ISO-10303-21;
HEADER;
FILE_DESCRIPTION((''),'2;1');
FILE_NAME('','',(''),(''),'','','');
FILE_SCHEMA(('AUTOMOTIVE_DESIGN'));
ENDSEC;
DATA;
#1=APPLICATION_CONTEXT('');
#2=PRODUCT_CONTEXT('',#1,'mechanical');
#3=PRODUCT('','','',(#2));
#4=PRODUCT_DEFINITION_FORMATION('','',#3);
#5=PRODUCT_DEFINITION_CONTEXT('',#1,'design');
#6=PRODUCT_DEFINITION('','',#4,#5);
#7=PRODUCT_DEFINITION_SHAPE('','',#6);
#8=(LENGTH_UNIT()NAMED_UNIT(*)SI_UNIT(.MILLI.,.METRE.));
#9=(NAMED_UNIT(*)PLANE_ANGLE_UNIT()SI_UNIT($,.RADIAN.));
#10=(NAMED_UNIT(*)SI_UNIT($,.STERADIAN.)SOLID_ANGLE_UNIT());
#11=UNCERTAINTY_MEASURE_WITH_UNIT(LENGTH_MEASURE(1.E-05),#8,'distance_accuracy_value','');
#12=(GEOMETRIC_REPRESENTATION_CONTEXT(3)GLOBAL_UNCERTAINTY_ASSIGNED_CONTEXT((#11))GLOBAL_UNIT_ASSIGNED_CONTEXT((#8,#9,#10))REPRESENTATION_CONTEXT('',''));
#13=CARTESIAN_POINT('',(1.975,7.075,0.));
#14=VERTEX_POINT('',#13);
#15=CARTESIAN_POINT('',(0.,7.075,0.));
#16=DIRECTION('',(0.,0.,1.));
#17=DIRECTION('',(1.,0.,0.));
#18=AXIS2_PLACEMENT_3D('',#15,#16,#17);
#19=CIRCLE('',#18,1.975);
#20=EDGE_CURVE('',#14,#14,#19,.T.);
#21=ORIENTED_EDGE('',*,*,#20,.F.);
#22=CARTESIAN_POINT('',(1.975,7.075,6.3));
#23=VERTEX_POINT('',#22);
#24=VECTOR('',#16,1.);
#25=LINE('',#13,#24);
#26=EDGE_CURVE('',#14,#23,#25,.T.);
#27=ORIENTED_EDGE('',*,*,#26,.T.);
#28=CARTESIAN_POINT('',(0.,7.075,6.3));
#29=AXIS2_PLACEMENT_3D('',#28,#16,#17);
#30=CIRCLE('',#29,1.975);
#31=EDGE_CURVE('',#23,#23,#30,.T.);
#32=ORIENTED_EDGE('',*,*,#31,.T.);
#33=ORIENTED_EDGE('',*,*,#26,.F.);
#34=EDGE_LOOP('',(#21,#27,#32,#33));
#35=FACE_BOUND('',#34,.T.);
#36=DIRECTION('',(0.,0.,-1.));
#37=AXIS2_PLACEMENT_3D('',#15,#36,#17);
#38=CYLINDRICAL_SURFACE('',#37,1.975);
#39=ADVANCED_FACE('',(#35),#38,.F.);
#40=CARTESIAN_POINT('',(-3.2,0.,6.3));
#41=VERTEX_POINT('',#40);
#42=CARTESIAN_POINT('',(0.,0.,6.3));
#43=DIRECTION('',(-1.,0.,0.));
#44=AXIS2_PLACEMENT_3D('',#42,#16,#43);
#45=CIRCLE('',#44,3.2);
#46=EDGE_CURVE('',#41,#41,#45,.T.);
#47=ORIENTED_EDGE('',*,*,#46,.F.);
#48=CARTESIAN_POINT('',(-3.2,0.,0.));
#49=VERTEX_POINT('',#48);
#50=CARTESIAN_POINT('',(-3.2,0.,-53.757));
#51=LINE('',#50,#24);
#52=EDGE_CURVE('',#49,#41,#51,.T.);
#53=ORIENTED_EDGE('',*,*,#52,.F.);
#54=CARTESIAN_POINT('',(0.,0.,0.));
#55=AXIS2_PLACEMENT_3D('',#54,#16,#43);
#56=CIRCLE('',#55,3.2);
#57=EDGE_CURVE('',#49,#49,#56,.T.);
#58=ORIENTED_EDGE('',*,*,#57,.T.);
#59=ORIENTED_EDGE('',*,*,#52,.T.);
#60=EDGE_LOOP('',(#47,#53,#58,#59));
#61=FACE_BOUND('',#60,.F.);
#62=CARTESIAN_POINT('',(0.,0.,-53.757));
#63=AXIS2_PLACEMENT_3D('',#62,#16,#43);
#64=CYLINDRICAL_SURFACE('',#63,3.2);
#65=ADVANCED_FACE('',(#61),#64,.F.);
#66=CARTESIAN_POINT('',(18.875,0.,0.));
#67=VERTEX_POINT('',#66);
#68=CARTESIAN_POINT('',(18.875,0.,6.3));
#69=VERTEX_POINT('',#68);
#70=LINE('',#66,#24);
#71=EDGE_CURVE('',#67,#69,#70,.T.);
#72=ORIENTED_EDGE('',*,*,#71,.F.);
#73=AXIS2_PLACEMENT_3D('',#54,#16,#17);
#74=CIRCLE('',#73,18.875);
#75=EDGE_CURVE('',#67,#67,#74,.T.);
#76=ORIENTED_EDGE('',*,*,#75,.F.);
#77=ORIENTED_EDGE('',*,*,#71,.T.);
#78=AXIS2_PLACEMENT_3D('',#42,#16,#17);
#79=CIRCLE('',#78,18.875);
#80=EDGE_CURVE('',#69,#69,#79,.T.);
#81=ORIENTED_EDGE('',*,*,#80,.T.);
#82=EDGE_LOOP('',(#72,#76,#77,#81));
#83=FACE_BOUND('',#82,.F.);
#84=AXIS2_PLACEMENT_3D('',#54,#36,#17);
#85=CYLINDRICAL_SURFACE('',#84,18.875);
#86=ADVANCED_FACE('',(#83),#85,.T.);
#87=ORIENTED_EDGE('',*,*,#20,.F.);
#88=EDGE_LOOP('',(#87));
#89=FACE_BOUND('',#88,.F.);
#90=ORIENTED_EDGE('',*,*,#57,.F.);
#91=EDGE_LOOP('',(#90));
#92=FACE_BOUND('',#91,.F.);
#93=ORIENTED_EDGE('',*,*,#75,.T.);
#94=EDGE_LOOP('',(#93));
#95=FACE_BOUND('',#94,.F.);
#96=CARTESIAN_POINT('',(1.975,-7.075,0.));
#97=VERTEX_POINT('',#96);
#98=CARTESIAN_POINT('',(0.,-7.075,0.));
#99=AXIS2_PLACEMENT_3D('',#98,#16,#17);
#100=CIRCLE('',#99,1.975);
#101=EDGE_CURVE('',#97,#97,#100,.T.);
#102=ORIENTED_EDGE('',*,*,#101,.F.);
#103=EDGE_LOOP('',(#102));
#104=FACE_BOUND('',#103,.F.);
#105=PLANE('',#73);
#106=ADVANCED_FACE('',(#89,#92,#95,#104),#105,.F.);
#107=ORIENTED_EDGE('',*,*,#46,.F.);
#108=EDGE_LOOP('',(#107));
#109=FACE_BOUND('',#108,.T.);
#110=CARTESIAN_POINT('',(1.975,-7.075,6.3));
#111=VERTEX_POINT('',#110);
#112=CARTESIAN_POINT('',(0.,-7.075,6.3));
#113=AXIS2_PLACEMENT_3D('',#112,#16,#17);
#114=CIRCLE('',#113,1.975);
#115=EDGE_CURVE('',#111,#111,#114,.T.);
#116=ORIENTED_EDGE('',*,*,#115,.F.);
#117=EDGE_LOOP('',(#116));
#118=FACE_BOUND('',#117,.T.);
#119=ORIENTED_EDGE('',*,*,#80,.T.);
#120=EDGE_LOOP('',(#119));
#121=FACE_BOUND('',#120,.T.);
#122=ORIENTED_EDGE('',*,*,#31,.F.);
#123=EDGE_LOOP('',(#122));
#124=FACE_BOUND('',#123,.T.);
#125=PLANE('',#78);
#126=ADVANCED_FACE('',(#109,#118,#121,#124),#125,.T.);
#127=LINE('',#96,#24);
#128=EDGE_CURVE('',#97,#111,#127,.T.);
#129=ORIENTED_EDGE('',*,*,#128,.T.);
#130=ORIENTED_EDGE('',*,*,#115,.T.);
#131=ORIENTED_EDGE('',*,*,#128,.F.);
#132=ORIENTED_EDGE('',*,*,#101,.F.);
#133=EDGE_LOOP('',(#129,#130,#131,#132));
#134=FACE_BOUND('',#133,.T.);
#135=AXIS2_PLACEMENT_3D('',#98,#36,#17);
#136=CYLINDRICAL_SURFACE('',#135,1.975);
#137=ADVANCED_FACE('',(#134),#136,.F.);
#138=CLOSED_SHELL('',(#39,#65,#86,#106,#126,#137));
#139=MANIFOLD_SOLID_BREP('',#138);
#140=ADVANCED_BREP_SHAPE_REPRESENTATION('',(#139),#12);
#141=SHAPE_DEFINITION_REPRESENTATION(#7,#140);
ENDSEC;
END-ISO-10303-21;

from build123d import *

# Parameters (mm, degrees)
F0_R     = 18.875
F0_R_2   = 1.975
F1_DEPTH = 6.3
F2_D     = 6.4


with BuildPart() as f1:
    # F0 (on Top) → F1 (new body)
    with BuildSketch(Plane.XY):
        Circle(F0_R)
        with Locations((0, -7.075)):
            Circle(F0_R_2, mode=Mode.SUBTRACT)
        with Locations((0, 7.075)):
            Circle(F0_R_2, mode=Mode.SUBTRACT)
    extrude(amount=F1_DEPTH)

    # F2 (through all)
    with Locations(Plane(origin=(0, 0, 0), x_dir=(1, 0, 0), z_dir=(0, 0, -1))):
        with Locations((0, 0)):
            Hole(F2_D / 2)


solid = f1.part
